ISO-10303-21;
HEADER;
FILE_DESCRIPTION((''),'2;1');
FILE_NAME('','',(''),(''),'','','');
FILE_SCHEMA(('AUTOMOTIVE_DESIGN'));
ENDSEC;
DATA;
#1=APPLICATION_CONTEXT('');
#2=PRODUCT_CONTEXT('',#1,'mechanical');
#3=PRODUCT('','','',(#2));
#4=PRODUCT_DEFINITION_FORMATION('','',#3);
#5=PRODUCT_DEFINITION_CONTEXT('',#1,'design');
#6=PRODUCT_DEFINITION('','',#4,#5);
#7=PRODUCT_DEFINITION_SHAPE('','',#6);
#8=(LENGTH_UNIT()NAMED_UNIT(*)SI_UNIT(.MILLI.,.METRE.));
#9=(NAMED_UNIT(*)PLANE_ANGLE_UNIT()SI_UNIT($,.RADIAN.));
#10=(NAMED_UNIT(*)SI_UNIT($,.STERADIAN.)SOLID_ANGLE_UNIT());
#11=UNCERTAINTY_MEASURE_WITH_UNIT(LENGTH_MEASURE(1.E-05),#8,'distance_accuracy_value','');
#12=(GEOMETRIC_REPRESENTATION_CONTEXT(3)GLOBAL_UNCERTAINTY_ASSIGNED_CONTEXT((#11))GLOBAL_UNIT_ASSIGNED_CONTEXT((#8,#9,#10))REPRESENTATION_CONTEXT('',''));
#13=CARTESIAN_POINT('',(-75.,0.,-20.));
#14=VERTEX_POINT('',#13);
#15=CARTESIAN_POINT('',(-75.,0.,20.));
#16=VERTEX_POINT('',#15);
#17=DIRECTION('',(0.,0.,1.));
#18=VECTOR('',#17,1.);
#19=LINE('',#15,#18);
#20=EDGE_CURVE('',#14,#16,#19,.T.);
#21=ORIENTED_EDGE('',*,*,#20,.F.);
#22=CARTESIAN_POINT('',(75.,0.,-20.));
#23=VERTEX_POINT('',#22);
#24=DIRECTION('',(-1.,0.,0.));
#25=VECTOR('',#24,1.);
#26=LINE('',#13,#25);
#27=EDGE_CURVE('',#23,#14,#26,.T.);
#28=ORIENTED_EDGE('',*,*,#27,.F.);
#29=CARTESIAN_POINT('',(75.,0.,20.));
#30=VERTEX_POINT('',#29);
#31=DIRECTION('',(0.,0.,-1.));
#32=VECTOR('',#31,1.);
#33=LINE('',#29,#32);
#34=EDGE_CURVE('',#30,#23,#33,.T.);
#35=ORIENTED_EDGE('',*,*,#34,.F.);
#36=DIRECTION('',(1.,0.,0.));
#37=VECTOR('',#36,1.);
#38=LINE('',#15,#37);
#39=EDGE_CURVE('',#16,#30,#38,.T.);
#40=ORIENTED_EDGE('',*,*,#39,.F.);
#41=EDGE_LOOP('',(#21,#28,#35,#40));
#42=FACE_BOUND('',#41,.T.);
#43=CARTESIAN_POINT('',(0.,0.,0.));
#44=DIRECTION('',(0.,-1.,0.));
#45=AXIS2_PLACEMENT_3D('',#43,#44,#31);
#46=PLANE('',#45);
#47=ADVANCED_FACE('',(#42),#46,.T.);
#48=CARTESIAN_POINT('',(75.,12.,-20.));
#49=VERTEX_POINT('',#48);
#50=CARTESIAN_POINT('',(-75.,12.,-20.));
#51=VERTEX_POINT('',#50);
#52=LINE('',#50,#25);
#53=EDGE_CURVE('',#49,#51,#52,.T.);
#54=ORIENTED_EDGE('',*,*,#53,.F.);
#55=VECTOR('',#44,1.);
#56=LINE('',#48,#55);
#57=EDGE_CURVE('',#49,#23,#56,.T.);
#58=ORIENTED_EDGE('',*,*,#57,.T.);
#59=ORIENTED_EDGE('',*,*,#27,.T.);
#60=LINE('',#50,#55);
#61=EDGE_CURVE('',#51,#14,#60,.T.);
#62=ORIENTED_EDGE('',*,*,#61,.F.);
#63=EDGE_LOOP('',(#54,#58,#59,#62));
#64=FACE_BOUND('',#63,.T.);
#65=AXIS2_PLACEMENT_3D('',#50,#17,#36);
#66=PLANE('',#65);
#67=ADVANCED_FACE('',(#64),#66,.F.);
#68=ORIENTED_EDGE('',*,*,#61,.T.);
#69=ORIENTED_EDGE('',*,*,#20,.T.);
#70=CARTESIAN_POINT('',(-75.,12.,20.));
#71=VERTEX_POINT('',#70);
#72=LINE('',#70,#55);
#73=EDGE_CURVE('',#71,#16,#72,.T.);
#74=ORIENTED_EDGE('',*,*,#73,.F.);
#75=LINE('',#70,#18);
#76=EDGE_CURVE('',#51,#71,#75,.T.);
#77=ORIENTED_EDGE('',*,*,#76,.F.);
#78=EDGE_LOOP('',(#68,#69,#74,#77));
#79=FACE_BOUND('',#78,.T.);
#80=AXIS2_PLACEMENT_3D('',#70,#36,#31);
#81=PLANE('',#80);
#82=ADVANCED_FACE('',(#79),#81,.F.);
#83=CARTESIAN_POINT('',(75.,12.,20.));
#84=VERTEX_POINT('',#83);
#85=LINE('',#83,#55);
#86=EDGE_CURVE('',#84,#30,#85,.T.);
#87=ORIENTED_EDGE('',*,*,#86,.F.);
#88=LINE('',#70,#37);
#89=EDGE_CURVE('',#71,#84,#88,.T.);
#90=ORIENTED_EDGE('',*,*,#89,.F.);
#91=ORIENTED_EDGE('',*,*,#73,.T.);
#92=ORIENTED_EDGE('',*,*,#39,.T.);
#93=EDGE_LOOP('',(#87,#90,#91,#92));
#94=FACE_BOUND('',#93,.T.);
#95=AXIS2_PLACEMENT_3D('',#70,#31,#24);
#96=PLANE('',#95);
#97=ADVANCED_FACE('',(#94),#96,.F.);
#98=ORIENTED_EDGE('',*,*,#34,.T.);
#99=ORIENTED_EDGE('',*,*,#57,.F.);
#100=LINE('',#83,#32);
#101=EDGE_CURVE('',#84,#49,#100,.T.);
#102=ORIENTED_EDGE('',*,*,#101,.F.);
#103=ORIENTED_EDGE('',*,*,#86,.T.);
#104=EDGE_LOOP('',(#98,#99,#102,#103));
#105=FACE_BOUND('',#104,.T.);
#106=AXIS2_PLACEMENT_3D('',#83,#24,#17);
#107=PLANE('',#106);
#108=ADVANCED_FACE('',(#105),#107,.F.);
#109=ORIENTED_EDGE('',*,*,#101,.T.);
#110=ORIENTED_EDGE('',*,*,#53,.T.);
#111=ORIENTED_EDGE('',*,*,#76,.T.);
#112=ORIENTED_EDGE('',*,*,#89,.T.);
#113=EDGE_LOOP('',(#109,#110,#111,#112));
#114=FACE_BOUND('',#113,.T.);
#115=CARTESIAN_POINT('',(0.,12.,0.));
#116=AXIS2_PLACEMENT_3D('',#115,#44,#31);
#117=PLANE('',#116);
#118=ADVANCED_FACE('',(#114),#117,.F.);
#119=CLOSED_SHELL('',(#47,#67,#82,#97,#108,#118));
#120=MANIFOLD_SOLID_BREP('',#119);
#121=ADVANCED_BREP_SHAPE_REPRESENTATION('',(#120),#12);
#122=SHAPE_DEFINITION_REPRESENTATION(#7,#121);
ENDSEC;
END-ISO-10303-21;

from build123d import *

# Parameters (mm, degrees)
ESBO_O1_W                = 150
ESBO_O1_H                = 40
RESSALTO_EXTRUS_O1_DEPTH = 12


with BuildPart() as part:
    # Esboço1 → Ressalto-extrusão1 (new body)
    with BuildSketch(Plane(origin=(0, 0, 0), x_dir=(1, 0, 0), z_dir=(0, 1, 0))):
        Rectangle(ESBO_O1_W, ESBO_O1_H)
    extrude(amount=RESSALTO_EXTRUS_O1_DEPTH)


solid = part.part
